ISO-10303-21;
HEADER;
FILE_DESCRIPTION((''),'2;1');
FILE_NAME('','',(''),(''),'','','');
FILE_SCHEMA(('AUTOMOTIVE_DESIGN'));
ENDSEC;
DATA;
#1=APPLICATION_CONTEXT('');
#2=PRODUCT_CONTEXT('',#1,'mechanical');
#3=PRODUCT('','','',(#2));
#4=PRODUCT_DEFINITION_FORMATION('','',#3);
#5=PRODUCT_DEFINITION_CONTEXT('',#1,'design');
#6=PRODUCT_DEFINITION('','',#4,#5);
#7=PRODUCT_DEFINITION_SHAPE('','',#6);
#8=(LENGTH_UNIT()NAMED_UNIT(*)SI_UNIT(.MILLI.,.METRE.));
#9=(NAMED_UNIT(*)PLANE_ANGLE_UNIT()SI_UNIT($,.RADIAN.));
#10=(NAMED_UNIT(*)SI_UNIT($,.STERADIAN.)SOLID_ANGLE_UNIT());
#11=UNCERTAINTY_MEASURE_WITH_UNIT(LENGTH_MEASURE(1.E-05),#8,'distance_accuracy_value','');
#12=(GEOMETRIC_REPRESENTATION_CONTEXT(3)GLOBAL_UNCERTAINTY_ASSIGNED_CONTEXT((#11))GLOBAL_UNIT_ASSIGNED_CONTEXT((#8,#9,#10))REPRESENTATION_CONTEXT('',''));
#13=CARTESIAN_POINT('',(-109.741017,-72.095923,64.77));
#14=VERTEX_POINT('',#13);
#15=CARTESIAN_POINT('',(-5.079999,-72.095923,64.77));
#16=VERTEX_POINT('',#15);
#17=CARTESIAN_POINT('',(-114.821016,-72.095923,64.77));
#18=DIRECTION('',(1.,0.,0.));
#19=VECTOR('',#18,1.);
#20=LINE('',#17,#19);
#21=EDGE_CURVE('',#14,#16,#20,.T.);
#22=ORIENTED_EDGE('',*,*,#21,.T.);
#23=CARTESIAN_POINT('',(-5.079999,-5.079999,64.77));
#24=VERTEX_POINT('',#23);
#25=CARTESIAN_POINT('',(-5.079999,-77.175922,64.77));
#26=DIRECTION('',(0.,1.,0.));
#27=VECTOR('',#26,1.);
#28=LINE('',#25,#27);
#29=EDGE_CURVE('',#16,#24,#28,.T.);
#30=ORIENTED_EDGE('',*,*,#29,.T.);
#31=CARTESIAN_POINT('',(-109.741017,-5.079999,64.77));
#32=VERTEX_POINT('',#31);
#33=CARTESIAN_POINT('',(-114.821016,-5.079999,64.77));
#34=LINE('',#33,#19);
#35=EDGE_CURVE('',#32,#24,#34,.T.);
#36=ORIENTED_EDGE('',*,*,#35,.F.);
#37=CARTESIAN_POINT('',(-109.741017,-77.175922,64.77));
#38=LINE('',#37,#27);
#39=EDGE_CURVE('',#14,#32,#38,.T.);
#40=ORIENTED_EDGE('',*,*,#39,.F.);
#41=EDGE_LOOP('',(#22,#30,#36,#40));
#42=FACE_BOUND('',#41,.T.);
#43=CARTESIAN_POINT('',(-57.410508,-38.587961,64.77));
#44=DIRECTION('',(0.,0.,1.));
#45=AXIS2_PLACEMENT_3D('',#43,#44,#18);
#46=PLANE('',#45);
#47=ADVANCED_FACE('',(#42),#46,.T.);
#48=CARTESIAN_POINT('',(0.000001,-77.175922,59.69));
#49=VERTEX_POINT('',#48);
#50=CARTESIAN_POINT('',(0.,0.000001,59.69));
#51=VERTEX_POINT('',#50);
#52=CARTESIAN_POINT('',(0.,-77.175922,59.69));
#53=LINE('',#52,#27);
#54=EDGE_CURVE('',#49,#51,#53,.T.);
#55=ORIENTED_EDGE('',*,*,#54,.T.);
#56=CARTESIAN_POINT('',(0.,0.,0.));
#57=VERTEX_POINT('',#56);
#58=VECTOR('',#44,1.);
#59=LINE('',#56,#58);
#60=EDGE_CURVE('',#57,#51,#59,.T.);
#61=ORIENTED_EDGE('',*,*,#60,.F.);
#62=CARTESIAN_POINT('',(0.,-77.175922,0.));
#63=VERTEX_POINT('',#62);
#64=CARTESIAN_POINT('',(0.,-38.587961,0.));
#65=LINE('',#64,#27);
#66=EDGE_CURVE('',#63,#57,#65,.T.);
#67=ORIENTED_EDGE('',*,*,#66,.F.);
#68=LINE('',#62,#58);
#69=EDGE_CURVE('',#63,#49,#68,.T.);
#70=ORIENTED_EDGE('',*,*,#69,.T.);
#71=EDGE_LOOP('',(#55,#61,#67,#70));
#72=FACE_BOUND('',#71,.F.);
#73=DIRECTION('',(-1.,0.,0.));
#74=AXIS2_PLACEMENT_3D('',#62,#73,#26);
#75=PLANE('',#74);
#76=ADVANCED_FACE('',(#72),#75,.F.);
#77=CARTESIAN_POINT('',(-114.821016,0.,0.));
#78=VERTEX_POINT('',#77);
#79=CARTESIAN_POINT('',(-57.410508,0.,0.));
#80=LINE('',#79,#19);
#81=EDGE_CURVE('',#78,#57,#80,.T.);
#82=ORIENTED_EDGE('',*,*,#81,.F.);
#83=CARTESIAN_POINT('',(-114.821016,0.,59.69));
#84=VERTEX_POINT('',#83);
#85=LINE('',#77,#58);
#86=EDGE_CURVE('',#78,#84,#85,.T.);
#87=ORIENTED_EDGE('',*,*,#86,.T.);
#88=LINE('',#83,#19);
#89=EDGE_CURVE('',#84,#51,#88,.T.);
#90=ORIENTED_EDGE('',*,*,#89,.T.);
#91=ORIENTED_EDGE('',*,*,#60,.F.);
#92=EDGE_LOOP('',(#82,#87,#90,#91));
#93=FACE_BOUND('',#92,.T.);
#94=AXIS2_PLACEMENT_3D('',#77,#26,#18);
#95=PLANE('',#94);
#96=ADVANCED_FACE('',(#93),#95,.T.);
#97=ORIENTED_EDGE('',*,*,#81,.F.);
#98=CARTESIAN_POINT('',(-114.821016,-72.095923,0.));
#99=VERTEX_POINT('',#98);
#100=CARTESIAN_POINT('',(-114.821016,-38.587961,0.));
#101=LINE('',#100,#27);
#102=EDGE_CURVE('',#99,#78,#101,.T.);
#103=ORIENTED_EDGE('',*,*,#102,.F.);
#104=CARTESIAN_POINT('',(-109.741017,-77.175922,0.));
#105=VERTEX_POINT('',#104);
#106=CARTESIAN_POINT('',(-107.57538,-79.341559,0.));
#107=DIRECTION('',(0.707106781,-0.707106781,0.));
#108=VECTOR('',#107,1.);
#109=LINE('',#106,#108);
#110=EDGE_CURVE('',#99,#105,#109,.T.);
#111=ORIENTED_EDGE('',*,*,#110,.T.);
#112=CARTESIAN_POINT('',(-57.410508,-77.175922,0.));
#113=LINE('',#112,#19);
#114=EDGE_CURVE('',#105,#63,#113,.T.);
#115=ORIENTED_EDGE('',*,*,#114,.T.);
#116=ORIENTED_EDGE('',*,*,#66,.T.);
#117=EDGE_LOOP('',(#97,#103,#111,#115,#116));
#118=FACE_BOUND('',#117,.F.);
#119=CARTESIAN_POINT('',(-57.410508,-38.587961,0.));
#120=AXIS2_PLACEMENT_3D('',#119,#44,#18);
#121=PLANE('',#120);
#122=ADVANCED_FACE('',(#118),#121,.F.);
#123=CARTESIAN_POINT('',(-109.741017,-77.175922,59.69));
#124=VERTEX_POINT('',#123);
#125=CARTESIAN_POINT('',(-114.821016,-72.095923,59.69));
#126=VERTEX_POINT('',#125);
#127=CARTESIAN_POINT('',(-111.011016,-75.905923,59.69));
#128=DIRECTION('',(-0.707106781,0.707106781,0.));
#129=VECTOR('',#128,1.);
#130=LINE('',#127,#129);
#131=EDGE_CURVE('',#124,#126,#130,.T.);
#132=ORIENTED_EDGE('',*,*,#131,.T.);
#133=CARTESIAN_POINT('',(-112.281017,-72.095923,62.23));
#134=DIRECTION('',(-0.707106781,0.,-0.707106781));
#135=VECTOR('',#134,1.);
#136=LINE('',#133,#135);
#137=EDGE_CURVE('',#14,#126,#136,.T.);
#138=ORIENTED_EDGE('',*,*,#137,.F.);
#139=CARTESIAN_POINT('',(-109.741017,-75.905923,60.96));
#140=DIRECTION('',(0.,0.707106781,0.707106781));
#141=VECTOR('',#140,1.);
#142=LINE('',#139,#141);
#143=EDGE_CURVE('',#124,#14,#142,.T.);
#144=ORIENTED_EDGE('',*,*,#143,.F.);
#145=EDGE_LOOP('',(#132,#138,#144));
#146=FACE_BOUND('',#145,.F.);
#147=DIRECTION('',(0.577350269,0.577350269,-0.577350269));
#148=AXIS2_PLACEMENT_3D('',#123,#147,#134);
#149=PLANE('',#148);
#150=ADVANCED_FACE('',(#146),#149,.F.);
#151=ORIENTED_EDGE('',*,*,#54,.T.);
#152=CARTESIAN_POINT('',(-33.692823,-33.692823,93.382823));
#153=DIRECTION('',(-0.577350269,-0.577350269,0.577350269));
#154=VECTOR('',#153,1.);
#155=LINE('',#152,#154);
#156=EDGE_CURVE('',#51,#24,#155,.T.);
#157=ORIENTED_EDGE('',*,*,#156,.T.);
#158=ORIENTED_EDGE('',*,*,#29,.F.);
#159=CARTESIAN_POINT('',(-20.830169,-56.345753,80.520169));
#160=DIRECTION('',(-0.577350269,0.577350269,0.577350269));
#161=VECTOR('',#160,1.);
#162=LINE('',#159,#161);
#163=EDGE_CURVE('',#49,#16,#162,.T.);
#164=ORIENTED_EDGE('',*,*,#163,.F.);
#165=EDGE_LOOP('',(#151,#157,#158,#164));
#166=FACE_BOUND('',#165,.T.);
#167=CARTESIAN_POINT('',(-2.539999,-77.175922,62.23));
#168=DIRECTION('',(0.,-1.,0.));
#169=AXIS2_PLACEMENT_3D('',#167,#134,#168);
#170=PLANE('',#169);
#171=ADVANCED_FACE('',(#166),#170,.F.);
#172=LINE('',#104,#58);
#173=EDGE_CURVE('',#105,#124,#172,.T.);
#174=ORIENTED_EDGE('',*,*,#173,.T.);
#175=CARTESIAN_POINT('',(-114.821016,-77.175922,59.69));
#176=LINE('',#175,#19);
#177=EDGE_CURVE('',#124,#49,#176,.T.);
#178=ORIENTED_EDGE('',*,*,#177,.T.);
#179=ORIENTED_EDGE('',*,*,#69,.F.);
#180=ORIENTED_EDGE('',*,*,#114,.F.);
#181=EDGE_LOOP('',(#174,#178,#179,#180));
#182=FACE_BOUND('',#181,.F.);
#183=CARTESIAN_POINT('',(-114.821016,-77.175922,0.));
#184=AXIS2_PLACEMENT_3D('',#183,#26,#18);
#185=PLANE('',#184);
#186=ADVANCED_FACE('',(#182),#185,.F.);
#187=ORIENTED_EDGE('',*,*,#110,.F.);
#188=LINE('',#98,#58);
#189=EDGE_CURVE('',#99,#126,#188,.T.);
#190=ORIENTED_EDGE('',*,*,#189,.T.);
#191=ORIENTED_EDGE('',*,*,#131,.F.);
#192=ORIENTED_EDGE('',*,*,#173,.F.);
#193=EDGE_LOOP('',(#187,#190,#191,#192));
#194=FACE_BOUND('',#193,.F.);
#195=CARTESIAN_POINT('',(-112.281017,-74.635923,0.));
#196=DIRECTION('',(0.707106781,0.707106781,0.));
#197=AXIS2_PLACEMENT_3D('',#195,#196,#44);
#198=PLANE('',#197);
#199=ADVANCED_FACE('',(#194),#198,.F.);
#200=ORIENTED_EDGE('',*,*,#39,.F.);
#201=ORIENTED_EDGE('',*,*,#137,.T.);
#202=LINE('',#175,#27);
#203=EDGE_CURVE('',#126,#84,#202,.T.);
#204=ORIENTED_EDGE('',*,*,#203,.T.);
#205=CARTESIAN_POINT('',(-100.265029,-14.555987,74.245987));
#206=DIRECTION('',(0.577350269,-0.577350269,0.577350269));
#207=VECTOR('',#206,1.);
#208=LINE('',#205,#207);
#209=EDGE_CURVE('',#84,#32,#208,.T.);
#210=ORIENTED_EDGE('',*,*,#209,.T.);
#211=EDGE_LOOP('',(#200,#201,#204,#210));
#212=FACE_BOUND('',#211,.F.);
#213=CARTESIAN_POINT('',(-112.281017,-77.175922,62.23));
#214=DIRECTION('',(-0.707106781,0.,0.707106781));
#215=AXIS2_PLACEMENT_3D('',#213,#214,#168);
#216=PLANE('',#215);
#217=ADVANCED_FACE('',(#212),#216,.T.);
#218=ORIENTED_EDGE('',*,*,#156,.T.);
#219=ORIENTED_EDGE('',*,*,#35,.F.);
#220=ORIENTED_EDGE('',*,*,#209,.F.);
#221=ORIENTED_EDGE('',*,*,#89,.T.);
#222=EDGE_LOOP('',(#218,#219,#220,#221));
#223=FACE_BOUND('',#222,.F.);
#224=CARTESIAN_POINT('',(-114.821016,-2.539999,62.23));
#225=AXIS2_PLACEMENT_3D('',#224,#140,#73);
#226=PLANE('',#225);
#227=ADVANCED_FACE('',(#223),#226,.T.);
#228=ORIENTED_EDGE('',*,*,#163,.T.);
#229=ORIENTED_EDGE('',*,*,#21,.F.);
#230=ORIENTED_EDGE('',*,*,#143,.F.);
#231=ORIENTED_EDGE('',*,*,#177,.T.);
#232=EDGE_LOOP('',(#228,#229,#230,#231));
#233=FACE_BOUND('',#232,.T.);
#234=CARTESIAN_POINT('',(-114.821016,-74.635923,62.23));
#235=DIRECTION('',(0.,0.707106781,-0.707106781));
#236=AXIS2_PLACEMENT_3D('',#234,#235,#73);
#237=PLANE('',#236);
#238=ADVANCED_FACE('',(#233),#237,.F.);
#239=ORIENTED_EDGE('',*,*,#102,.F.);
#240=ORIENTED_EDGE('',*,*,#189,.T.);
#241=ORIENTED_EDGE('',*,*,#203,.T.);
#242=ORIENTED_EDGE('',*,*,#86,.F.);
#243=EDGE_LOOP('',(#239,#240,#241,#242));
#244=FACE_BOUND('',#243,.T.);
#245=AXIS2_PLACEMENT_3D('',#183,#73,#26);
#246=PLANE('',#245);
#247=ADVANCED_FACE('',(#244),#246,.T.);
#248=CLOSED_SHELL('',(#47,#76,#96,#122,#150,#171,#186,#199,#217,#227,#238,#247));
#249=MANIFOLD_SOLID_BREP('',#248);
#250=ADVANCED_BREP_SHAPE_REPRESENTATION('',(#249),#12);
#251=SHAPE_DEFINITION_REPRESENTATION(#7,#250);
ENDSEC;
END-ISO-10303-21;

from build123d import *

# Parameters (mm, degrees)
F0_W     = 114.821017
F0_H     = 77.175923
F1_DEPTH = 64.77
F2_SIZE  = 5.08


with BuildPart() as f1:
    # F0 (on Top) → F1 (new body)
    with BuildSketch(Plane.XY):
        with Locations((-57.410508, -38.587961)):
            Rectangle(F0_W, F0_H)
    extrude(amount=F1_DEPTH)

    # F2
    f2_edges = [f1.edges().sort_by_distance(p)[0] for p in [
        (-114.821017, -38.587961, 64.77),
        (-57.410508, 0, 64.77),
        (0, -38.587961, 64.77),
        (-57.410508, -77.175923, 64.77),
        (-114.821017, -77.175923, 32.385),
    ]]
    chamfer(f2_edges, length=F2_SIZE)


solid = f1.part
